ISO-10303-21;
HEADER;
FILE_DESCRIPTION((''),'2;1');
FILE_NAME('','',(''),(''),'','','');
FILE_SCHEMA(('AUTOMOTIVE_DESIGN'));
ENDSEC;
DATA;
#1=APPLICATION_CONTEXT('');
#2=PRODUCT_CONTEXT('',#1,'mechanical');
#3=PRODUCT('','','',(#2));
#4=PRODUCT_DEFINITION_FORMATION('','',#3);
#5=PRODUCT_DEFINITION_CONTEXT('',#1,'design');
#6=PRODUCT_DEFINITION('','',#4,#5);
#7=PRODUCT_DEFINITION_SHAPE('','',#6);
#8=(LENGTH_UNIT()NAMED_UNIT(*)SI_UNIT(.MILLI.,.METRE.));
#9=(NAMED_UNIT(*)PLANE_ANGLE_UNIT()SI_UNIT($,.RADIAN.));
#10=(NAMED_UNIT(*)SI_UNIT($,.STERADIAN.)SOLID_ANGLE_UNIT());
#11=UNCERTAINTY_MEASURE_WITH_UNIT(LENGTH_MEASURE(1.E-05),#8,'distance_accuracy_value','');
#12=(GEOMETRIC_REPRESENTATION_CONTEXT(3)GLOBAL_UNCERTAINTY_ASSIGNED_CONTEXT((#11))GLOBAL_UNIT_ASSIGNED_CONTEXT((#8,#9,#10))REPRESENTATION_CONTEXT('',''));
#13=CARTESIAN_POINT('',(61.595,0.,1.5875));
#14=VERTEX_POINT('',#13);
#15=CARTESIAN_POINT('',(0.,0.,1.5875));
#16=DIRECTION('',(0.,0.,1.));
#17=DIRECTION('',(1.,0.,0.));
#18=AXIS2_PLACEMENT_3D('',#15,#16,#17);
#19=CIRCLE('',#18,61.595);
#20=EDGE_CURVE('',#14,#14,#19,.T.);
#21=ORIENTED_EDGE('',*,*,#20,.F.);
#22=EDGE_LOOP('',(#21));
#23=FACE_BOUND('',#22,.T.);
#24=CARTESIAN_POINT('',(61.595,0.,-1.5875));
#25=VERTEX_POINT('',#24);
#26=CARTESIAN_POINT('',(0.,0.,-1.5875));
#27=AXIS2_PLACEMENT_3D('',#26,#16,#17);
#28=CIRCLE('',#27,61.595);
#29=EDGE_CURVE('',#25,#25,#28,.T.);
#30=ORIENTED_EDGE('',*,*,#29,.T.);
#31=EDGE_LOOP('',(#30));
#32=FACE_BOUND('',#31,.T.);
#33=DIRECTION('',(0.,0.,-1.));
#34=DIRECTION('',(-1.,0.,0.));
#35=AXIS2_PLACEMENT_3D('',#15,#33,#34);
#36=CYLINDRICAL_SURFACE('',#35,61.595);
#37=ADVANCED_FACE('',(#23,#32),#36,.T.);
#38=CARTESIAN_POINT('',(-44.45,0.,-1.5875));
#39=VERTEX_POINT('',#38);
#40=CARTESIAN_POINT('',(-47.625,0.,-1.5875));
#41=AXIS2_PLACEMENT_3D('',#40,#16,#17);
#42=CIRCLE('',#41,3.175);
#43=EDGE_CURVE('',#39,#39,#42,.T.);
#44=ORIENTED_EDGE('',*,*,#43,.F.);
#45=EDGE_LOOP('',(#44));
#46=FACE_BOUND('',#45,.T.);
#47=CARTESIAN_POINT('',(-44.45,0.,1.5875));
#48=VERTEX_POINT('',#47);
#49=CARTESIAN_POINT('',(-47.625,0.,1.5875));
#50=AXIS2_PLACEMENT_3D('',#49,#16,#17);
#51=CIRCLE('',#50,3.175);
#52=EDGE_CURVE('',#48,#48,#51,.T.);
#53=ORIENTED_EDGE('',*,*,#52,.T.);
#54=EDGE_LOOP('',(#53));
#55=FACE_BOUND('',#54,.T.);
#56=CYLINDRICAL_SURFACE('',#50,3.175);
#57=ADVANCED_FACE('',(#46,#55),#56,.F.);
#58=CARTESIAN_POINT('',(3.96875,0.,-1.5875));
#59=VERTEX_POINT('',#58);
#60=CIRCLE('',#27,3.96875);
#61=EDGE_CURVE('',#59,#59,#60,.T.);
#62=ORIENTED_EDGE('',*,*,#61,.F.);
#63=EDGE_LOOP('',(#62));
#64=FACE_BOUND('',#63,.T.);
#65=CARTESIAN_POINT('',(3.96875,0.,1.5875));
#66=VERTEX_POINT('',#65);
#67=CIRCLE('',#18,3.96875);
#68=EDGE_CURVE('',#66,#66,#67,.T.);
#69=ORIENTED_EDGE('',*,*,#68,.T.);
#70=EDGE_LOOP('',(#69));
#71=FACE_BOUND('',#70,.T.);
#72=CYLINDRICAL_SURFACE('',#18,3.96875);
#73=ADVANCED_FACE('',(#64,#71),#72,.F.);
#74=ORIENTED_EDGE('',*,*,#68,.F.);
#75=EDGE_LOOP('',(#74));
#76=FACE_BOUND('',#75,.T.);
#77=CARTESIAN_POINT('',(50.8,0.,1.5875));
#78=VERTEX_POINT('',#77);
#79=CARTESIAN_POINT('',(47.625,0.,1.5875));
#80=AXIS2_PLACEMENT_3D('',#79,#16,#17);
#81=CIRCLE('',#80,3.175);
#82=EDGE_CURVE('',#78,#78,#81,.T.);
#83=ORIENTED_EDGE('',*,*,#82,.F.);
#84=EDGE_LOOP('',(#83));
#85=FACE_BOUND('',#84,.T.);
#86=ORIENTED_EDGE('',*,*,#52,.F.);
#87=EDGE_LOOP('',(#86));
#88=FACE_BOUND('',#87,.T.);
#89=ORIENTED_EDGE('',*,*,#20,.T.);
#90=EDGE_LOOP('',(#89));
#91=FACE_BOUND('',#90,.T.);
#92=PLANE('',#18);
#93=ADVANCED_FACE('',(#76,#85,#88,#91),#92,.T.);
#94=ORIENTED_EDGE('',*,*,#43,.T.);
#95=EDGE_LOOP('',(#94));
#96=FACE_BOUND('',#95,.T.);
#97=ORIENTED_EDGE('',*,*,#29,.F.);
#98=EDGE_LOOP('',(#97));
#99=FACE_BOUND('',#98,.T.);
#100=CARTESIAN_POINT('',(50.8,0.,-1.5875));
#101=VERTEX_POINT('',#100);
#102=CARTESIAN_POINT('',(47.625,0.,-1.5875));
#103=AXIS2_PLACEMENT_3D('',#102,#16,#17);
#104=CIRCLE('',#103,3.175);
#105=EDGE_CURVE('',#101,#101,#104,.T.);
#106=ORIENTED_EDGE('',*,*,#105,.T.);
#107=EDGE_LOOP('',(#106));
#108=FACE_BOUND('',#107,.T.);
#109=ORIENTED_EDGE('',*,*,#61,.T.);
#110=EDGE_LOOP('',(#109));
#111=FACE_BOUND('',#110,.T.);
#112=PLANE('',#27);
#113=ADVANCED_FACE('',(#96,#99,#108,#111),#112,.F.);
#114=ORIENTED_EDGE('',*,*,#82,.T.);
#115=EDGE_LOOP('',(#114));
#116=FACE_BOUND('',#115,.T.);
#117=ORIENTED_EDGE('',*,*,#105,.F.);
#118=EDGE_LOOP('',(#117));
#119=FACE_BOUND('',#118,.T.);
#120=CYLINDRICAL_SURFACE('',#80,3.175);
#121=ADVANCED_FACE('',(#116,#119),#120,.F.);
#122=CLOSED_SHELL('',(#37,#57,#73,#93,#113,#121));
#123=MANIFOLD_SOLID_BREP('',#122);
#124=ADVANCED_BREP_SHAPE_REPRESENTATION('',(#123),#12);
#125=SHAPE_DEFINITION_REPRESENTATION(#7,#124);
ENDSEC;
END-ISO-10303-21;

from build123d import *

# Parameters (mm, degrees)
SKETCH1_R                          = 61.595
BOSS_EXTRUDE1_DEPTH                = 1.5875
F_1_4_0_25_DIAMETER_HOLE1_D        = 6.35
F_5_16_0_3125_DIAMETER_HOLE1_D     = 7.9375
F_5_16_0_3125_DIAMETER_HOLE1_DEPTH = 3.302


with BuildPart() as part:
    # Sketch1 → Boss-Extrude1 (new body, symmetric)
    with BuildSketch(Plane.XY):
        Circle(SKETCH1_R)
    extrude(amount=BOSS_EXTRUDE1_DEPTH, both=True)

    # 1/4 (0.25) Diameter Hole1 (through all)
    with Locations(Plane.XY.offset(1.5875)):
        with Locations((-47.625, 0), (47.625, 0)):
            Hole(F_1_4_0_25_DIAMETER_HOLE1_D / 2)

    # 5/16 (0.3125) Diameter Hole1
    with Locations(Plane.XY.offset(1.5875)):
        with Locations((0, 0)):
            Hole(F_5_16_0_3125_DIAMETER_HOLE1_D / 2, depth=F_5_16_0_3125_DIAMETER_HOLE1_DEPTH)


solid = part.part
